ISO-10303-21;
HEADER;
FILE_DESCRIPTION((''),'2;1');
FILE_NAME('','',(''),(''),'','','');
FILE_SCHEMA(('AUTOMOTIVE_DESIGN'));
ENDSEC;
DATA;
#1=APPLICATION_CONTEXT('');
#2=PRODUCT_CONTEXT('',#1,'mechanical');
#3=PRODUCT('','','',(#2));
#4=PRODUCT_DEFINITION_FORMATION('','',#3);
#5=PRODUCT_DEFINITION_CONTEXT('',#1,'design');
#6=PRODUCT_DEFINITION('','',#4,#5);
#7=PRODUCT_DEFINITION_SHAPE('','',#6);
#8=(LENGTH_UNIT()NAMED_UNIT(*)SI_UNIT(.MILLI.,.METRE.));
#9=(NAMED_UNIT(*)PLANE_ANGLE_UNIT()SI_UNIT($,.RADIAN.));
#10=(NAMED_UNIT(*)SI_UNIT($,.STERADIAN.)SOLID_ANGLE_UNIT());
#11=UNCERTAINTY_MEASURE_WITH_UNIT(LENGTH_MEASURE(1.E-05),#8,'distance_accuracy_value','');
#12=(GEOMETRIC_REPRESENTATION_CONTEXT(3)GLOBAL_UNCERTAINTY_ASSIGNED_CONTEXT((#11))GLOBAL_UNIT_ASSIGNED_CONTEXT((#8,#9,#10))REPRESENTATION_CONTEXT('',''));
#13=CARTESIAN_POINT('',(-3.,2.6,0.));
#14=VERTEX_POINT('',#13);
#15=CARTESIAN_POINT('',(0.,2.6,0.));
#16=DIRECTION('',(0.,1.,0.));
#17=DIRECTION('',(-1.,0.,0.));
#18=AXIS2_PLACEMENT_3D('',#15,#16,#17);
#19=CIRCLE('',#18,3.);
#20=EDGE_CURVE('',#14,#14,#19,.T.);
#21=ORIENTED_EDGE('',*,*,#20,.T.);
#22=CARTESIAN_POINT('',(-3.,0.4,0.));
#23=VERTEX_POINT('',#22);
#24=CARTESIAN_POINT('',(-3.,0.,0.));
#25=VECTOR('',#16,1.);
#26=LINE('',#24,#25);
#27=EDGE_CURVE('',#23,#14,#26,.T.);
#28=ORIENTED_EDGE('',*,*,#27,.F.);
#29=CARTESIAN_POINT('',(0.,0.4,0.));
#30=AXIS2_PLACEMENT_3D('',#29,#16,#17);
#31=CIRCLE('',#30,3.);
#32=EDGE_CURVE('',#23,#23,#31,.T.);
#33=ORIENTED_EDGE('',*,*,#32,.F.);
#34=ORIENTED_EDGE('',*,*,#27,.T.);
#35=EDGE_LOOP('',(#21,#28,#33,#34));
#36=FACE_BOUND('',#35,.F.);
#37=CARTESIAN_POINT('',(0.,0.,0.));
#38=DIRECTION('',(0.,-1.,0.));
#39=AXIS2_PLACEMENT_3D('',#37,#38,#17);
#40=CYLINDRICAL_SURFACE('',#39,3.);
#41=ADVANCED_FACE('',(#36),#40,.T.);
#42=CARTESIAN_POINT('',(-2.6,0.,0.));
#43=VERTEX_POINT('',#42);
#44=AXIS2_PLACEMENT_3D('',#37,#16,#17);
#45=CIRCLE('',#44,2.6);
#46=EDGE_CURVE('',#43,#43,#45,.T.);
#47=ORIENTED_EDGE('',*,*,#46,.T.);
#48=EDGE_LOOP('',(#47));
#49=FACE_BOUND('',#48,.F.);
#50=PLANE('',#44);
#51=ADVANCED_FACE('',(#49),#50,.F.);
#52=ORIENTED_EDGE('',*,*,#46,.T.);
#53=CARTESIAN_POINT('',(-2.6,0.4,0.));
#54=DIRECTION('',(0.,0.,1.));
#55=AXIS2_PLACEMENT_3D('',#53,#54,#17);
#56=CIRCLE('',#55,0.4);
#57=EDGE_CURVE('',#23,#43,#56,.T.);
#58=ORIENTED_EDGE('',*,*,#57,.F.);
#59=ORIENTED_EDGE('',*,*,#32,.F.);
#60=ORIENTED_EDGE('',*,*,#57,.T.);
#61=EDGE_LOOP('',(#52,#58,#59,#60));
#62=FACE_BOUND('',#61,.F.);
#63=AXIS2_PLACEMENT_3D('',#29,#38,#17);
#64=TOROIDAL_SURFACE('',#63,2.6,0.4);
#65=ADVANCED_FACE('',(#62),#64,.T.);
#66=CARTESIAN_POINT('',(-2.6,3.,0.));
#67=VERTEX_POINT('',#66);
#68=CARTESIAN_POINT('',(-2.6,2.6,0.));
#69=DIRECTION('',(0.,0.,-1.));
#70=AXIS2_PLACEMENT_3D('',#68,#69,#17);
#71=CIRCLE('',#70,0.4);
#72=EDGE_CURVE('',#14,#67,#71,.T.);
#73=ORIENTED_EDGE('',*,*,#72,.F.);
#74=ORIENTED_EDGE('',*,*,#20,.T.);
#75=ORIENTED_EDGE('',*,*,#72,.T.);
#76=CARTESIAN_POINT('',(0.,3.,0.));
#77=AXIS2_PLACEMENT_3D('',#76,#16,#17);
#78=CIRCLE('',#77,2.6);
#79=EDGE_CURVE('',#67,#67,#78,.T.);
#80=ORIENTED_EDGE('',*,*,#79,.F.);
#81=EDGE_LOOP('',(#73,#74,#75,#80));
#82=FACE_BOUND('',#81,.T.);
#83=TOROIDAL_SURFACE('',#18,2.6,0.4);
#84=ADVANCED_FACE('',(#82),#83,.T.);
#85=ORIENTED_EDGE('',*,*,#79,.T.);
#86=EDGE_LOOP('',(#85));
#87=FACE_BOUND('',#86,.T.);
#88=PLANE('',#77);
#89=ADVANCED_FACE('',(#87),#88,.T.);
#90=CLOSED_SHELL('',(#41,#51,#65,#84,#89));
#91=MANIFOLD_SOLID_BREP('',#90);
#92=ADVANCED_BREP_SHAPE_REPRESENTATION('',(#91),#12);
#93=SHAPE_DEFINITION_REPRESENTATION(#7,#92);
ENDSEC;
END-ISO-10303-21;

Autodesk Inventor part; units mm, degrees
ref_plane "YZ Plane" through (0, 0, 0) normal (1, 0, 0) x (0, 1, 0)
ref_plane "XZ Plane" through (0, 0, 0) normal (0, 1, 0) x (-1, 0, 0)
ref_plane "XY Plane" through (0, 0, 0) normal (0, 0, 1) x (1, 0, 0)
sketch "Skizze1" plane through (0, 0, 0) normal (0, 1, 0) x (-1, 0, 0)
  circle A0 centre (0, 0) radius 3
  dimension "d0" = 6
extrude "Extrusion1" add sketch "Skizze1" along normal blind 3
fillet "Rundung1" radius 0.4 2 edges at (3, 3, 0) (3, 0, 0)
equation "\"Biegeradius\" = Stärke"
equation "\"BreiteBiegungsfreistellung\" = Stärke"
equation "\"TiefeBiegungsfreistellung\" = 0.5 * Stärke"
equation "\"GrößeEckenfreistellung\" = 4 * Stärke"
equation "\"MinimalRest\" = 2 * Stärke"
equation "\"Übergangsradius\" = Biegeradius"
equation "\"JacobiRadiusGröße\" = Biegeradius"
equation "\"Abstandsgröße\" = Stärke"
equation "\"Stärke\" = 0.5"
properties part number "6x3 Magnet" material "Stahl, Legierung"
